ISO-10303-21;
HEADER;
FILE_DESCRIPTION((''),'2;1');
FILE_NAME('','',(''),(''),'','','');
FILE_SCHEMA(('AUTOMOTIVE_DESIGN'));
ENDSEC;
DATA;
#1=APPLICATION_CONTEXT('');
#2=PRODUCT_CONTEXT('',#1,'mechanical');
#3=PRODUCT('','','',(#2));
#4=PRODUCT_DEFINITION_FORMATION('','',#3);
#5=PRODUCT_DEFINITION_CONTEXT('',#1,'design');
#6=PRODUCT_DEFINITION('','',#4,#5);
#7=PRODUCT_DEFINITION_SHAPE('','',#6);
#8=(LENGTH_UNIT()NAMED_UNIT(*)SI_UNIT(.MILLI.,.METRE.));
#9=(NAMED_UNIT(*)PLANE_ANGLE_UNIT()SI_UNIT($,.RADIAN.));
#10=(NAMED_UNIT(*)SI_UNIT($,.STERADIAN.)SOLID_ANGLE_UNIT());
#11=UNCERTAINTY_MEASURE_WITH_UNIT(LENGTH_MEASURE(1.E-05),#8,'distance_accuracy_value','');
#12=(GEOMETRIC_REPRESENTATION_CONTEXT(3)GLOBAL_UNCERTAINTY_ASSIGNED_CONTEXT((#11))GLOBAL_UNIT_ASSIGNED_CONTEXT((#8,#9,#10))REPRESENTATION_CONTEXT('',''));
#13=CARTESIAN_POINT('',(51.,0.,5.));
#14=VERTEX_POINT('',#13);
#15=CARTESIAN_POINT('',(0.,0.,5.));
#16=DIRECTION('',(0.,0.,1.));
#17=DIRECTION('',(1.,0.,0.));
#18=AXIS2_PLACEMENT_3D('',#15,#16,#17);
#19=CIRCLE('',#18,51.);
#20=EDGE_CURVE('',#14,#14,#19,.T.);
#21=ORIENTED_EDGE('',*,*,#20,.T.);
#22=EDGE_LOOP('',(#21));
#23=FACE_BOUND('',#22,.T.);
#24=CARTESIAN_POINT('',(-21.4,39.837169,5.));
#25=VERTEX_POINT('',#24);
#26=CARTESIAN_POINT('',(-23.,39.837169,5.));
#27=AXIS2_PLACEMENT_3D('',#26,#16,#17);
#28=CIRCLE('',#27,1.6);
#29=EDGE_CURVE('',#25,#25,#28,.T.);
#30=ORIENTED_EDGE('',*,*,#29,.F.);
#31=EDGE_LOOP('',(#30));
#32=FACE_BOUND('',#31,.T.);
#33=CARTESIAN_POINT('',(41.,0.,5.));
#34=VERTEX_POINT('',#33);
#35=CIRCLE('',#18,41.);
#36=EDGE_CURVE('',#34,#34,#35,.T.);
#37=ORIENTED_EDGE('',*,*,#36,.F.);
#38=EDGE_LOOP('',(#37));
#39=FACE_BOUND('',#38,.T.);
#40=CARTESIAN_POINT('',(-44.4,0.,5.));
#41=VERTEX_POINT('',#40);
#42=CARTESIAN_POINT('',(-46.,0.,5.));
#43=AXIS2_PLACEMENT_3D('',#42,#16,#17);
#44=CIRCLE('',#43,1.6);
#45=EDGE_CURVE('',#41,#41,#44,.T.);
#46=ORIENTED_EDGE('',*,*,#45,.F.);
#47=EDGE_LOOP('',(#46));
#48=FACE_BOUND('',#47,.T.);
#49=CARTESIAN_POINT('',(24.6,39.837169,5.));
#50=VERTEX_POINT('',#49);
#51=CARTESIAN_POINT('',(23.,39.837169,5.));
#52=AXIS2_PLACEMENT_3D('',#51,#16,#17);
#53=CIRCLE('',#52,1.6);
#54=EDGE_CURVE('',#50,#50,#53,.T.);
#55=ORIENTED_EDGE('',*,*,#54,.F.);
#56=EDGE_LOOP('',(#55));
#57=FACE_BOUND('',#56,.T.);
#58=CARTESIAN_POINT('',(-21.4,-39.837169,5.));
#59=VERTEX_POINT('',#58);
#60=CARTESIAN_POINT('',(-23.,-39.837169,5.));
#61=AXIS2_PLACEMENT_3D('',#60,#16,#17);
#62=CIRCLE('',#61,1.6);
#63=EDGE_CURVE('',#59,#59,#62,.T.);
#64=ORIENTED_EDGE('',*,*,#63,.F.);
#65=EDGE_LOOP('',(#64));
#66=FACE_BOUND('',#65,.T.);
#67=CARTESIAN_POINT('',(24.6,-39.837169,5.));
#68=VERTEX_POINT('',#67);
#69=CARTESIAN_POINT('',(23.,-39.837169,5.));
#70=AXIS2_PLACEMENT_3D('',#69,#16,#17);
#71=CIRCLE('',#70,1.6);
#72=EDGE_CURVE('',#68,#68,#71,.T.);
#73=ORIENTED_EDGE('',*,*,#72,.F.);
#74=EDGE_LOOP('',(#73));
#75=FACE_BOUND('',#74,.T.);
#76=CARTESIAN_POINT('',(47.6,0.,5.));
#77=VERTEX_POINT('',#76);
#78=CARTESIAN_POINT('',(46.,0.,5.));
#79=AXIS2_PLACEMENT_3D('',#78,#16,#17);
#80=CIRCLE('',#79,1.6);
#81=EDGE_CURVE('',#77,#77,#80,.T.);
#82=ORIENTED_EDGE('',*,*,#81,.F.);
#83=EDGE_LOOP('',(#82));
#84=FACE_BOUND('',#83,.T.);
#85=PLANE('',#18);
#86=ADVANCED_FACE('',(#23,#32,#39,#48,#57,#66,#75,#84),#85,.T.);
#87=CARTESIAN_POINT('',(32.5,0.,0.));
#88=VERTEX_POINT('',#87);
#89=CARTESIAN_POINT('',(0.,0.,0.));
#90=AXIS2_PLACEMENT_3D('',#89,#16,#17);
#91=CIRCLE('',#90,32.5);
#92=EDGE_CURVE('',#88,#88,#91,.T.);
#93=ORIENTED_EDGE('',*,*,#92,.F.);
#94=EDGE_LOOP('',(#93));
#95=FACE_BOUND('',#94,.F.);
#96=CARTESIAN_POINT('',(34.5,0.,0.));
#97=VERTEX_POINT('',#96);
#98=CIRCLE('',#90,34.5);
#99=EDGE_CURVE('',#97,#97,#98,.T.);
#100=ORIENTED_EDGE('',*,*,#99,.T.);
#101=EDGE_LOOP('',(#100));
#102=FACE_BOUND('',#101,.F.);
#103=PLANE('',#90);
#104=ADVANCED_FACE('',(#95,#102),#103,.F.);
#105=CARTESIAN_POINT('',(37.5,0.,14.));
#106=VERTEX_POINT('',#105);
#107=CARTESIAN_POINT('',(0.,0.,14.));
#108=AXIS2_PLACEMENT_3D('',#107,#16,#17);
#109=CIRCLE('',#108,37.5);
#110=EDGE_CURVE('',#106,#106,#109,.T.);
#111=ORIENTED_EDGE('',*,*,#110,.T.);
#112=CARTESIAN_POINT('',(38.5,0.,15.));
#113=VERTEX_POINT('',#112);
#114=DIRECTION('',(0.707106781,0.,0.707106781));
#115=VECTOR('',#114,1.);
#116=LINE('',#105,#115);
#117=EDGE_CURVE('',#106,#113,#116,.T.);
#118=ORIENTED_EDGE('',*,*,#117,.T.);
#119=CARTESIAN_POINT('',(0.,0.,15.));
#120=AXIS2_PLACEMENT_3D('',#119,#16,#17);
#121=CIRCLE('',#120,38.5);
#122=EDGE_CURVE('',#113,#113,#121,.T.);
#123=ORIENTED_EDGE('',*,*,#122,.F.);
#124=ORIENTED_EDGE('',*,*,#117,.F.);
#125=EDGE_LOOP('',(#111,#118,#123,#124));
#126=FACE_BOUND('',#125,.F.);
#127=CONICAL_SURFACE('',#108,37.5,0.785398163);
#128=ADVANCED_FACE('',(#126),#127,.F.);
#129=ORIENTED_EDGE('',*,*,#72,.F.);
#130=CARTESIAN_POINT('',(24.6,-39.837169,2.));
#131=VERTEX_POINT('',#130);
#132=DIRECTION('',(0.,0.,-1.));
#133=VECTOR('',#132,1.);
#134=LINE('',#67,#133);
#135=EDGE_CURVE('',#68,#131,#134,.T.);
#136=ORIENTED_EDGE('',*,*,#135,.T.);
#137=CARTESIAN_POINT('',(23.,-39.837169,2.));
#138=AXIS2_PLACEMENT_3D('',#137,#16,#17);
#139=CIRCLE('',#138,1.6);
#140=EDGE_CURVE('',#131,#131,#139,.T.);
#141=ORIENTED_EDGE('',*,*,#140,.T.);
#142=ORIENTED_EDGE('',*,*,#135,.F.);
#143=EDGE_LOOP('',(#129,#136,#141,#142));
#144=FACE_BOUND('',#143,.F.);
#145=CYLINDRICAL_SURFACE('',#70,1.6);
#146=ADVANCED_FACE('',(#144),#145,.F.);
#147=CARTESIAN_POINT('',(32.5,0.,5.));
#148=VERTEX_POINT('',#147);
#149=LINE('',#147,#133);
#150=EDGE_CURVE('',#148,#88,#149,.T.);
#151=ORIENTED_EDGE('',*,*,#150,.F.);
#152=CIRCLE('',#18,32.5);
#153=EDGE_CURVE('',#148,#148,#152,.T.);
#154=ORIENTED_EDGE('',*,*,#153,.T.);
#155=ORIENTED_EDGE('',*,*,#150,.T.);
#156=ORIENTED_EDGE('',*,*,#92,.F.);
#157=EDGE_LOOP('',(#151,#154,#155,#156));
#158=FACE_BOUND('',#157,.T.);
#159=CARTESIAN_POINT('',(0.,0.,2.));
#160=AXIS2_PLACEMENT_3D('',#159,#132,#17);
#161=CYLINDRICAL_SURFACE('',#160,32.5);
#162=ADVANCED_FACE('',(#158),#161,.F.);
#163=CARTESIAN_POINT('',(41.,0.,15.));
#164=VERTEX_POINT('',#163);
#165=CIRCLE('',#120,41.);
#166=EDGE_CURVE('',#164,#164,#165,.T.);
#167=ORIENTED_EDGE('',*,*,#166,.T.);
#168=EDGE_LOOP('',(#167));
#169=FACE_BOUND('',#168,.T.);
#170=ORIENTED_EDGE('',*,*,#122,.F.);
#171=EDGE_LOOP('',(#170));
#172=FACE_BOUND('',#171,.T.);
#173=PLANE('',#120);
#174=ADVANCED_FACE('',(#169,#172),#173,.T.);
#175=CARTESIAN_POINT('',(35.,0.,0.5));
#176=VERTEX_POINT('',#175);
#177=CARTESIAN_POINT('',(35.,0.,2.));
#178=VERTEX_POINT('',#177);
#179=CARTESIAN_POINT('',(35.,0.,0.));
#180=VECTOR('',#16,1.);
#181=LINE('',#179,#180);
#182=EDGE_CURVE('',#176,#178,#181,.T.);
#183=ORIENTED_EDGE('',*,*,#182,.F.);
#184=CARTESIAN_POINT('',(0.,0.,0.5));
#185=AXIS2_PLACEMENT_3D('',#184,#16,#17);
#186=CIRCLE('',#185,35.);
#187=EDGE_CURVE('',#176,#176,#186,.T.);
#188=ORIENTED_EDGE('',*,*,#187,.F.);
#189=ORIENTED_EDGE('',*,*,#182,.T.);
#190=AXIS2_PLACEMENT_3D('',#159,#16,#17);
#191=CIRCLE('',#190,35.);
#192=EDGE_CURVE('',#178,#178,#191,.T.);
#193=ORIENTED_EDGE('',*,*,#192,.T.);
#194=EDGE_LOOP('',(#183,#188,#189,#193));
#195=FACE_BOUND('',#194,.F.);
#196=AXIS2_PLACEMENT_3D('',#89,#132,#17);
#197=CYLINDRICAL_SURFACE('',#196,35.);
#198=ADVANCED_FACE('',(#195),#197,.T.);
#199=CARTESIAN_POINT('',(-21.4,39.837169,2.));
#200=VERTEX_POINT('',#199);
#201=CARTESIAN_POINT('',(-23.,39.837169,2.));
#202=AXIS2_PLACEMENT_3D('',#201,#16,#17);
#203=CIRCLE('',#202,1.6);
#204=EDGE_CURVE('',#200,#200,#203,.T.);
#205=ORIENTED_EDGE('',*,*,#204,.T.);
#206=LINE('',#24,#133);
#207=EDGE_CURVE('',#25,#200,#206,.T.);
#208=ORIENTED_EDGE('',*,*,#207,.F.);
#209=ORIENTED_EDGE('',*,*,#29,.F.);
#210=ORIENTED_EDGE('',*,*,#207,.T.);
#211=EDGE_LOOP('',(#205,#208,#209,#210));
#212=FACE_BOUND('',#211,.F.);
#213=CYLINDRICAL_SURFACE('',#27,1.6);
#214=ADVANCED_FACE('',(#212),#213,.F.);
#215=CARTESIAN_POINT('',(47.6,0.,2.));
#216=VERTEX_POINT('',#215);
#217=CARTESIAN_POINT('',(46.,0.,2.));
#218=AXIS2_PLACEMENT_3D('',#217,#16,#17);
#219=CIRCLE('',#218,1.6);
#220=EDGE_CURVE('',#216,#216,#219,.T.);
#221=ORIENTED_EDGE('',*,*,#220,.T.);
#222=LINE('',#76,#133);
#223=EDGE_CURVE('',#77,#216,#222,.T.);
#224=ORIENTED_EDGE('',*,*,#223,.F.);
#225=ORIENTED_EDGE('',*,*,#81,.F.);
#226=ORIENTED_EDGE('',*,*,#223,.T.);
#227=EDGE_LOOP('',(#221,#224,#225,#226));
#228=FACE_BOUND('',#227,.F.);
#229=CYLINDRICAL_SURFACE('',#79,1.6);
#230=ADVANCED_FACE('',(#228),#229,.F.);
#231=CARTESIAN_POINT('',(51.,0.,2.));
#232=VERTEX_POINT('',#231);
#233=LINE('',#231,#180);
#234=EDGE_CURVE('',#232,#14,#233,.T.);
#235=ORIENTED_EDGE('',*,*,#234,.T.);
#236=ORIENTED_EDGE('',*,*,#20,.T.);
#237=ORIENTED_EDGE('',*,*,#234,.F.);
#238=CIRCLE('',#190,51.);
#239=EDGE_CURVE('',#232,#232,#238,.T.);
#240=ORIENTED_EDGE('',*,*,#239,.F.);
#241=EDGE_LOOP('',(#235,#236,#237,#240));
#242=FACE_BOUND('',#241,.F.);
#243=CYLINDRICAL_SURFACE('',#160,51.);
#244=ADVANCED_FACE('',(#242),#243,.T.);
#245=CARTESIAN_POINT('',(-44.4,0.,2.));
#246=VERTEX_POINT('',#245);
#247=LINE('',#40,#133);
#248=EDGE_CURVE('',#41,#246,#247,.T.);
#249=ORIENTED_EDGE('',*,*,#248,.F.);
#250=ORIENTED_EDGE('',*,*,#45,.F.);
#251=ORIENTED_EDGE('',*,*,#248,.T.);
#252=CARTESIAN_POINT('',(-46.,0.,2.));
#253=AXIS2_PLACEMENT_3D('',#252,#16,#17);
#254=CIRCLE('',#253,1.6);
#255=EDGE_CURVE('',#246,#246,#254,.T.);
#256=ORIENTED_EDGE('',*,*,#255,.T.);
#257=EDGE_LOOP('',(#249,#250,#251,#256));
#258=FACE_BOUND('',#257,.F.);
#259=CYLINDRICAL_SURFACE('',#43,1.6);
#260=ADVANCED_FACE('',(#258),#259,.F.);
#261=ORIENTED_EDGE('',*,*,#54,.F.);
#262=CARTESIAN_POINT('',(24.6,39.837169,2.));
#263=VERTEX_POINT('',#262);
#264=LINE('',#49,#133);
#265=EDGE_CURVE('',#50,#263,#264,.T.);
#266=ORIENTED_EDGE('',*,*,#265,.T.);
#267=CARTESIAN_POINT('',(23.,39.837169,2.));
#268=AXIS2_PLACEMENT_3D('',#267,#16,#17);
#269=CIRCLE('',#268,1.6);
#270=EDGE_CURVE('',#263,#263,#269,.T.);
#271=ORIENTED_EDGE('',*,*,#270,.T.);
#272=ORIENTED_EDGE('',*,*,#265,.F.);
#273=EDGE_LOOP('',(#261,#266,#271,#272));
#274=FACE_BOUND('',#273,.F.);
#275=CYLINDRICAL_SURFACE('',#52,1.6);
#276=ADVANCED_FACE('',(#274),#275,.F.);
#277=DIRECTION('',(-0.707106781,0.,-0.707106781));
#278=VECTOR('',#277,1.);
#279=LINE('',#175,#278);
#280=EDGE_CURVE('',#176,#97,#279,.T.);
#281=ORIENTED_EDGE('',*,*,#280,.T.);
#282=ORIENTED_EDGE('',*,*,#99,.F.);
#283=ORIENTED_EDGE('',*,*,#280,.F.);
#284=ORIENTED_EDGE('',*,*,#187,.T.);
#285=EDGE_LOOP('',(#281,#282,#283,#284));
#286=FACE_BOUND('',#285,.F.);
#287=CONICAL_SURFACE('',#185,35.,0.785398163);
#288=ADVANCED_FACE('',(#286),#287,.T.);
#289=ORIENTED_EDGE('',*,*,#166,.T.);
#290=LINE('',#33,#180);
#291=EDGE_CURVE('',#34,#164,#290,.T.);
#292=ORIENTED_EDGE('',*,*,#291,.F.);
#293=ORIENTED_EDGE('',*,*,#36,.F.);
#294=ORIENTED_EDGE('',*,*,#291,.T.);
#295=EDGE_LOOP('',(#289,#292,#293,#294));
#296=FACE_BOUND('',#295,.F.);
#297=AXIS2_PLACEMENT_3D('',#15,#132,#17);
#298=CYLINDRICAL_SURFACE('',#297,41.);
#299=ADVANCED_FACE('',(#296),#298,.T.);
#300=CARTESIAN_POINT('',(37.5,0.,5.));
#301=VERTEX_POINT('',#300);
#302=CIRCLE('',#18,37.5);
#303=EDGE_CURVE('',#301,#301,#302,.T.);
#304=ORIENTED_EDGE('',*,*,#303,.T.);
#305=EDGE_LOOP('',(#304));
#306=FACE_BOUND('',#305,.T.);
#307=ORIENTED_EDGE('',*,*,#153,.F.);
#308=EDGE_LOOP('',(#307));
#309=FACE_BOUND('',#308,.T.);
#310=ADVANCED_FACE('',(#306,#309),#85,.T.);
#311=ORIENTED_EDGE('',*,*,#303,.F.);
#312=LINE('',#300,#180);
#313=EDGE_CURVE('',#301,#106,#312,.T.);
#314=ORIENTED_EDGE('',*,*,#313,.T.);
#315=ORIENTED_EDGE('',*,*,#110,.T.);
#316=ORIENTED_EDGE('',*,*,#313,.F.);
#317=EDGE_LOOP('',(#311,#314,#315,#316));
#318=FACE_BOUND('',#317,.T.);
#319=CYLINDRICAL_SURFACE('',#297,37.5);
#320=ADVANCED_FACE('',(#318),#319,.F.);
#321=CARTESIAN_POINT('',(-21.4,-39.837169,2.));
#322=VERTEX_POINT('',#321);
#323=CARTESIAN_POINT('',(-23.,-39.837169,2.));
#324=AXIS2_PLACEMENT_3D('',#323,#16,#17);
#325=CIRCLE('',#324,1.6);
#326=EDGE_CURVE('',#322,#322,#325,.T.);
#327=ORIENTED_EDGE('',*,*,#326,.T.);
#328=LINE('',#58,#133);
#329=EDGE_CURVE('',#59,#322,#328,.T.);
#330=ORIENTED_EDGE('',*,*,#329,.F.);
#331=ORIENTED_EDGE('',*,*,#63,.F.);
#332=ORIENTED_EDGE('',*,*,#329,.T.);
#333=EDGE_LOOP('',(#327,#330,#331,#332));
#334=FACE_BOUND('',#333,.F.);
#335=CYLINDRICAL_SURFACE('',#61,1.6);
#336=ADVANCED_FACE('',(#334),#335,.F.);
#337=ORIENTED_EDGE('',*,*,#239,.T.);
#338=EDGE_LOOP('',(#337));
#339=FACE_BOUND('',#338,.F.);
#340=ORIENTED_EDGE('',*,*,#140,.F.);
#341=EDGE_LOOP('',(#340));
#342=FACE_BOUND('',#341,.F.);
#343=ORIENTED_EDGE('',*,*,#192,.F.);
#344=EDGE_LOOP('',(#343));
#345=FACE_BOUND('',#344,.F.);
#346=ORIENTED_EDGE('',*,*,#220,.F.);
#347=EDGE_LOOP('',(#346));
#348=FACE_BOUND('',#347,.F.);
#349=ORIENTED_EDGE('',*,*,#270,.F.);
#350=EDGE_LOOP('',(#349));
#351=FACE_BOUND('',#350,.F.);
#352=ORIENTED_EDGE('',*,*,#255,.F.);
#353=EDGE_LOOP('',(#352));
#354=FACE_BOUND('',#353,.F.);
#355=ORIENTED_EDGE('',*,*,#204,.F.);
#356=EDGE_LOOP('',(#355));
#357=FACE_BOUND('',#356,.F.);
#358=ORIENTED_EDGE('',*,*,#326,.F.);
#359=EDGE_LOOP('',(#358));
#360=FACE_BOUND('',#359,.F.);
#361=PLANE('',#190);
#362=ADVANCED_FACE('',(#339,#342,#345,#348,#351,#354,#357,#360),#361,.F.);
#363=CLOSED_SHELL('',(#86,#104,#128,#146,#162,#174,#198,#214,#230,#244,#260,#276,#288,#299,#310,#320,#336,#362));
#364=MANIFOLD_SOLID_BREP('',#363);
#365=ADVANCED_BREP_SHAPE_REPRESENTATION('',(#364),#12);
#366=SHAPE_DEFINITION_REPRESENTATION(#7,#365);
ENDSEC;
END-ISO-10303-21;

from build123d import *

# Parameters (mm, degrees)
SKETCH_R        = 35
SKETCH_R_2      = 32.5
PAD_DEPTH       = 2
SKETCH001_R     = 51
SKETCH001_R_2   = 32.5
PAD001_DEPTH    = 3
SKETCH002_R     = 41
SKETCH002_R_2   = 37.5
PAD002_DEPTH    = 10
SKETCH003_R     = 1.6
POCKET_DEPTH    = 5.001
CHAMFER_SIZE    = 0.5
CHAMFER001_SIZE = 1


with BuildPart() as part:
    # Sketch → Pad (new body)
    with BuildSketch(Plane.XY):
        Circle(SKETCH_R)
        Circle(SKETCH_R_2, mode=Mode.SUBTRACT)
    extrude(amount=PAD_DEPTH)

    # Sketch001 (on Face4 of Pad) → Pad001 (join)
    with BuildSketch(Plane.XY.offset(2)):
        Circle(SKETCH001_R)
        Circle(SKETCH001_R_2, mode=Mode.SUBTRACT)
    extrude(amount=PAD001_DEPTH)

    # Sketch002 (on Face7 of Pad001) → Pad002 (join)
    with BuildSketch(Plane.XY.offset(5)):
        Circle(SKETCH002_R)
        Circle(SKETCH002_R_2, mode=Mode.SUBTRACT)
    extrude(amount=PAD002_DEPTH)

    # Sketch003 (on Face7 of Pad002) → Pocket (cut, through all)
    with BuildSketch(Plane.XY.offset(5)):
        with Locations((-23, 39.837169)):
            Circle(SKETCH003_R)
        with Locations((23, 39.837169)):
            Circle(SKETCH003_R)
        with Locations((46, 0)):
            Circle(SKETCH003_R)
        with Locations((23, -39.837169)):
            Circle(SKETCH003_R)
        with Locations((-23, -39.837169)):
            Circle(SKETCH003_R)
        with Locations((-46, 0)):
            Circle(SKETCH003_R)
    extrude(amount=-POCKET_DEPTH, mode=Mode.SUBTRACT)

    # Chamfer
    chamfer_edges = [part.edges().sort_by_distance(p)[0] for p in [
        (-35, 0, 0),
    ]]
    chamfer(chamfer_edges, length=CHAMFER_SIZE)

    # Chamfer001
    chamfer001_edges = [part.edges().sort_by_distance(p)[0] for p in [
        (-37.5, 0, 15),
    ]]
    chamfer(chamfer001_edges, length=CHAMFER001_SIZE)


solid = part.part
